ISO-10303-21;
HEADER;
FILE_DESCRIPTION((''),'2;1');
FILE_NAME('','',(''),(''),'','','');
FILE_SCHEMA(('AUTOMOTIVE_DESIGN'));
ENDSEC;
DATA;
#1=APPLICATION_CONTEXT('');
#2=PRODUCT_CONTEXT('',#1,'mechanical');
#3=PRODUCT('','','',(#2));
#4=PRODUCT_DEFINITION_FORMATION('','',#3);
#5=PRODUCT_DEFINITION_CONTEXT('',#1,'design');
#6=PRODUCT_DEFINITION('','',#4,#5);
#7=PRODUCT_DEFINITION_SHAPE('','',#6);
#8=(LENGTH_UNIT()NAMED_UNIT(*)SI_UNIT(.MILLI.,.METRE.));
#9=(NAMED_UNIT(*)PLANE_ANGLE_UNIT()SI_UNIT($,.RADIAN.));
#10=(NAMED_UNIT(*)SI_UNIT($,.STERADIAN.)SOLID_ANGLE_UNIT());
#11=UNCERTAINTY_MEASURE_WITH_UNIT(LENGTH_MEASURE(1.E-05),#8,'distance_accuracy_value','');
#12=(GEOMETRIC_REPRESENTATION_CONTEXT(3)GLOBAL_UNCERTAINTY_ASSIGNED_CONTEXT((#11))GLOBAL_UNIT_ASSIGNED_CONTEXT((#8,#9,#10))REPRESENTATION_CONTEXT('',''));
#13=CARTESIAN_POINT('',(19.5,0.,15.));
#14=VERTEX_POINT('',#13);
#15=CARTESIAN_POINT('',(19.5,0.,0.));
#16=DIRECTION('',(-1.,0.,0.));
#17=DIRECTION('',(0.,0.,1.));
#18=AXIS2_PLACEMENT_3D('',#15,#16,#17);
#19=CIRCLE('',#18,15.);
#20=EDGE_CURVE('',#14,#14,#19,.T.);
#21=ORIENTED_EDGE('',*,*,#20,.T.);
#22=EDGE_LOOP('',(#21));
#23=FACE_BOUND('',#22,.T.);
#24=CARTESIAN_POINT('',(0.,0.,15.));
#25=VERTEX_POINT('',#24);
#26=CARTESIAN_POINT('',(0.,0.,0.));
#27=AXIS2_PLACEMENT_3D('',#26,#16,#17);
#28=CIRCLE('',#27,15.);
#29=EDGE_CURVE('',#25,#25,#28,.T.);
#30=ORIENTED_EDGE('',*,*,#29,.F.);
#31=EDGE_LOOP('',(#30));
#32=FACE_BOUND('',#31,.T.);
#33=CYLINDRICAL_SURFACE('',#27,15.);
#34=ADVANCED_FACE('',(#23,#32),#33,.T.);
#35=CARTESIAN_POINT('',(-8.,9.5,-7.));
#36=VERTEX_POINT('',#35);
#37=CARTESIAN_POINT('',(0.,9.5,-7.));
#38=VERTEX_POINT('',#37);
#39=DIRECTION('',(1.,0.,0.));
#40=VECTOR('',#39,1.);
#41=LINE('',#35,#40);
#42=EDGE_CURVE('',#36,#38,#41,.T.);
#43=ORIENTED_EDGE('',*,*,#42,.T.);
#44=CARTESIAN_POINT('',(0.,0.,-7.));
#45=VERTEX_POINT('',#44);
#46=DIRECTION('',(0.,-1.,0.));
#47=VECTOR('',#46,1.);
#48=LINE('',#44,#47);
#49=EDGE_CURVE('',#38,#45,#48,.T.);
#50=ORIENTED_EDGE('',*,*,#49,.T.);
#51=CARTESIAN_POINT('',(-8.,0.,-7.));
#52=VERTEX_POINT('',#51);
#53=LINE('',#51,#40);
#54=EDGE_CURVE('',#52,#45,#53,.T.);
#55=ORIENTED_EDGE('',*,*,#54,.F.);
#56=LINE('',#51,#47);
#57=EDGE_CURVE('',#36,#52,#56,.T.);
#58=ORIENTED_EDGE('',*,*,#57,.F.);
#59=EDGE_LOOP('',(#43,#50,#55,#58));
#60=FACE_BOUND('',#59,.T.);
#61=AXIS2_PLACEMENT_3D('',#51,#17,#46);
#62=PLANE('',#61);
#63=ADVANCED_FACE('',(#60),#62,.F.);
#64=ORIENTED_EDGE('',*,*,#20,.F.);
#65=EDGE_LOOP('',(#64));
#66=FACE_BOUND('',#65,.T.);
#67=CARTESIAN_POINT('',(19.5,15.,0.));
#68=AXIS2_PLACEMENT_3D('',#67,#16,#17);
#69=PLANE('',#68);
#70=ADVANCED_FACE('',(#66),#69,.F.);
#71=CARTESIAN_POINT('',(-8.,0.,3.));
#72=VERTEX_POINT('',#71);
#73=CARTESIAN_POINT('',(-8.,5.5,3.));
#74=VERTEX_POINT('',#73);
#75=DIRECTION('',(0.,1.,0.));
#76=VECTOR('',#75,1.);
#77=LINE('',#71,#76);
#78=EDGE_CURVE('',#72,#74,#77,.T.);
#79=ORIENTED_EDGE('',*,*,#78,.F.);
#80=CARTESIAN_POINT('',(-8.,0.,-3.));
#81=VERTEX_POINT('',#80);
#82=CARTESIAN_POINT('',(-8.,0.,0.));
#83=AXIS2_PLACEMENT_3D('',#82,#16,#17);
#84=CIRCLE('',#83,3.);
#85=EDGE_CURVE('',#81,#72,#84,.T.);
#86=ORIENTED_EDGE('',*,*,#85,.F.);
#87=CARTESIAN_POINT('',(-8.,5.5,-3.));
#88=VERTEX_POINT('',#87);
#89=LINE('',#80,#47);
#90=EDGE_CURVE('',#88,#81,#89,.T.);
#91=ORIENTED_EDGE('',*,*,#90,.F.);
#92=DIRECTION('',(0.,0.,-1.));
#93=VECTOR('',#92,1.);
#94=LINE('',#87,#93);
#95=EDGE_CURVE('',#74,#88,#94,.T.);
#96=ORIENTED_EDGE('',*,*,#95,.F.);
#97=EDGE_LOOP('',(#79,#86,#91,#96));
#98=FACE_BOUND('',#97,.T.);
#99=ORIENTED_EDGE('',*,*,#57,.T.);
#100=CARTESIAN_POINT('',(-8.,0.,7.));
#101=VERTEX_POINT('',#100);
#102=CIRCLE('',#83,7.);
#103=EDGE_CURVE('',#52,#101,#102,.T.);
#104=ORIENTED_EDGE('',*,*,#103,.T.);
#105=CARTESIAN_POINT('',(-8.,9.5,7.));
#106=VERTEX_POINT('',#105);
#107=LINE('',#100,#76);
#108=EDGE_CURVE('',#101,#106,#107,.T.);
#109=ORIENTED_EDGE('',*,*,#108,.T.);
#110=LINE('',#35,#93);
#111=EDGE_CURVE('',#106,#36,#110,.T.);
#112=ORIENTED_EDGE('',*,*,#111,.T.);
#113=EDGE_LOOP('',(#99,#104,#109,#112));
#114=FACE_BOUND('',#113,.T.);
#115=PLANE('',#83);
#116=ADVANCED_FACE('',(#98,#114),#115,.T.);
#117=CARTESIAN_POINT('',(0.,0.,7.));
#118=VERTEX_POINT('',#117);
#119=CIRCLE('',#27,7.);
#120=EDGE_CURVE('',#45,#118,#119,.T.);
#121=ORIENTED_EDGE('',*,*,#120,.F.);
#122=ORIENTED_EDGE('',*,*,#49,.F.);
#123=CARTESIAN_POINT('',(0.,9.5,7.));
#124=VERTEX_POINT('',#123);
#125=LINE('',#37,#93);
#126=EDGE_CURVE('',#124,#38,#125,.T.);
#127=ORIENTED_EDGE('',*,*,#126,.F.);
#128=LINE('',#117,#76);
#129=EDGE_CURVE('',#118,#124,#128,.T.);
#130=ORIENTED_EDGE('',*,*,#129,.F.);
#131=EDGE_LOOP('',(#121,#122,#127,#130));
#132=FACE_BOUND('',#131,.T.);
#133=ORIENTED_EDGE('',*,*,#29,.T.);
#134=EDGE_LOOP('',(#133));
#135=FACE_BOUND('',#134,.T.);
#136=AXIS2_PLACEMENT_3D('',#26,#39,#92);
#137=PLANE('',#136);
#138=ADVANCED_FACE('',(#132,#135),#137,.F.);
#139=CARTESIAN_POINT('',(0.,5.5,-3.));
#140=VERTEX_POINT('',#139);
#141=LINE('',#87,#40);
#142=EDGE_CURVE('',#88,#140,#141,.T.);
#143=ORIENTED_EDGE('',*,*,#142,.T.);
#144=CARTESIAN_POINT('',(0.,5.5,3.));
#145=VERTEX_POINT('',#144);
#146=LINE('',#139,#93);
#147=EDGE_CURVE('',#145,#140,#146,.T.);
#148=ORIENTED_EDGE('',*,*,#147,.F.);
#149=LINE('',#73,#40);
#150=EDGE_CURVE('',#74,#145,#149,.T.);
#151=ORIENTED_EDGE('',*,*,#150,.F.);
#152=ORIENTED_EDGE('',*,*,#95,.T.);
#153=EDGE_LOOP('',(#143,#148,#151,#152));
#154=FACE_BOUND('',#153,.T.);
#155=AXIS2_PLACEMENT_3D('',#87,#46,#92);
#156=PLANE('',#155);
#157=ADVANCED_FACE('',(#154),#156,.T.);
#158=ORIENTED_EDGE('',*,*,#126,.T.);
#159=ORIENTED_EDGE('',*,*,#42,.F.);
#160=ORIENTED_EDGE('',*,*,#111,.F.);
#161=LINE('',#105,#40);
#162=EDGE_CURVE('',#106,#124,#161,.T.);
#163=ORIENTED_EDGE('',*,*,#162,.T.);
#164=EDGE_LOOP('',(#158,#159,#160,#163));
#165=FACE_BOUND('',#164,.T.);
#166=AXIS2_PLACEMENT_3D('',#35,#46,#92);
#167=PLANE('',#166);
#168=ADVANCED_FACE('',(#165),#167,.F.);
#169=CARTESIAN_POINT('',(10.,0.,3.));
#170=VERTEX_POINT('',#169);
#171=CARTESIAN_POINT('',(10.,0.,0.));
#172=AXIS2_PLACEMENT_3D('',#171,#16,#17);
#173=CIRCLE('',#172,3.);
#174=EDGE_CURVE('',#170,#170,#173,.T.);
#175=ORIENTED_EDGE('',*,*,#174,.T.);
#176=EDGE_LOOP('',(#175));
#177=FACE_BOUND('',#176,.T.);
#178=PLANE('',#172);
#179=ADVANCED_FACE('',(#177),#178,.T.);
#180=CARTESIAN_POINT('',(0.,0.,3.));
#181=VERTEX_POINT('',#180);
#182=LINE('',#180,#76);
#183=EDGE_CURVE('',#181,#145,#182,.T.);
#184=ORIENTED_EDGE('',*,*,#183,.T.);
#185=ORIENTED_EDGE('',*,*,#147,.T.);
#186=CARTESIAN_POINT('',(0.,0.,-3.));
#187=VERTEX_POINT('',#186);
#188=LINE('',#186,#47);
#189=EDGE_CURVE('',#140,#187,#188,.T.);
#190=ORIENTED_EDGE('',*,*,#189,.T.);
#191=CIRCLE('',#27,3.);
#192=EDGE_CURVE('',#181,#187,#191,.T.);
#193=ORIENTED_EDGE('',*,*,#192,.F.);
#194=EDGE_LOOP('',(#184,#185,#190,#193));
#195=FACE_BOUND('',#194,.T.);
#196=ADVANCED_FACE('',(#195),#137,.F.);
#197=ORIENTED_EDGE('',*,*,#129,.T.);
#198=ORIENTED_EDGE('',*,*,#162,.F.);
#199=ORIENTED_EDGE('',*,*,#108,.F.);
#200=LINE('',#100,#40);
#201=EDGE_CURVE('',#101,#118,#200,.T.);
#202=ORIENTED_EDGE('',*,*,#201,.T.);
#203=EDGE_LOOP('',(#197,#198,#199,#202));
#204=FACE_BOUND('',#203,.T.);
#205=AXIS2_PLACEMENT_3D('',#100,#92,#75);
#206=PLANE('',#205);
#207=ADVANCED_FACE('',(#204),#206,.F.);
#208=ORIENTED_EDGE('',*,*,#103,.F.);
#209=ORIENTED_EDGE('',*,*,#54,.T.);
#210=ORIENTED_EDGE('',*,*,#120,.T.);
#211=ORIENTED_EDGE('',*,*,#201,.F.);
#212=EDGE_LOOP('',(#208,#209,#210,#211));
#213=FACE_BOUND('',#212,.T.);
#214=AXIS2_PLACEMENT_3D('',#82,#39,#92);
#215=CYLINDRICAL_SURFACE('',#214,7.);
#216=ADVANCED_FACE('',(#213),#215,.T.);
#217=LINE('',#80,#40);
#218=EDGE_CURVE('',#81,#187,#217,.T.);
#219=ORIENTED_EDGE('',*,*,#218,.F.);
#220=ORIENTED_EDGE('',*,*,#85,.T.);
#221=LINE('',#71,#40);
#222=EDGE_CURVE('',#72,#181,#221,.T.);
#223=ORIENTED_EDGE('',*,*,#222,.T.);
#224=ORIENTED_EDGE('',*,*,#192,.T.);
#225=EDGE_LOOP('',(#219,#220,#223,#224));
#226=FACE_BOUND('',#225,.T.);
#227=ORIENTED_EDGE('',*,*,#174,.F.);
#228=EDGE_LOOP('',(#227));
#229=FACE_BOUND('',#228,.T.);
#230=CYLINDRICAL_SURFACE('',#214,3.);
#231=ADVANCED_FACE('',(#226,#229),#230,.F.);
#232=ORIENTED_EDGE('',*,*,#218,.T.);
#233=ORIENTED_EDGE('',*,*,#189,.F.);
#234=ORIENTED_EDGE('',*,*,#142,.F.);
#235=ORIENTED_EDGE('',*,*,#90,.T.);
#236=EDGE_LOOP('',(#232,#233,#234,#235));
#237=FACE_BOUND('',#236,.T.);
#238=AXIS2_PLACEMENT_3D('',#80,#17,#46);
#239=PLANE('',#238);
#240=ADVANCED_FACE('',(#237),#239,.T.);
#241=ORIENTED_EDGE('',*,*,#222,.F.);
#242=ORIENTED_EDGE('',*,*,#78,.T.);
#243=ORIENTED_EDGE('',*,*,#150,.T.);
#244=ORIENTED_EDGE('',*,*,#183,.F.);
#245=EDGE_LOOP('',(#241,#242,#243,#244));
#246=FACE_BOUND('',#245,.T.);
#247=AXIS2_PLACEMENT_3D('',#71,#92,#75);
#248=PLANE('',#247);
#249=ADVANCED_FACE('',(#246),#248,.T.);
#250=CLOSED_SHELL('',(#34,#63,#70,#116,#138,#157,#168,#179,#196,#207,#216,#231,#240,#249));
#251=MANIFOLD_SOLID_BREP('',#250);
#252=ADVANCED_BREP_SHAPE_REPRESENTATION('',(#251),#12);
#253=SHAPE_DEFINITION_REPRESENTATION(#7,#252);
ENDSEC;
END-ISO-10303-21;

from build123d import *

# Parameters (mm, degrees)
SKETCH1_W           = 19.5
SKETCH1_H           = 15
BOSS_EXTRUDE1_DEPTH = 8
CUT_EXTRUDE1_START  = -10
SKETCH3_R           = 3
CUT_EXTRUDE1_DEPTH  = 10


with BuildPart() as part:
    # Sketch1 → Revolve1 (revolve)
    with BuildSketch(Plane.XY, mode=Mode.PRIVATE) as revolve1_sk:
        with Locations((9.75, 7.5)):
            Rectangle(SKETCH1_W, SKETCH1_H)
    revolve(revolve1_sk.sketch.rotate(Axis((0, 0, 0), (1, 0, 0)), 90), axis=Axis((0, 0, 0), (1, 0, 0)))

    # Sketch2 → Boss-Extrude1 (add)
    with BuildSketch(Plane.ZY):
        with BuildLine():
            Line((-7, 0), (-7, 9.5))
            Line((-7, 9.5), (7, 9.5))
            Line((7, 9.5), (7, 0))
            ThreePointArc((7, 0), (0, -7), (-7, 0))
        make_face()
        with BuildLine():
            Line((-3, 0), (-3, 5.5))
            Line((-3, 5.5), (3, 5.5))
            Line((3, 5.5), (3, 0))
            ThreePointArc((3, 0), (0, -3), (-3, 0))
        make_face(mode=Mode.SUBTRACT)
    extrude(amount=BOSS_EXTRUDE1_DEPTH)

    # Sketch3 → Cut-Extrude1 (cut)
    with BuildSketch(Plane.ZY.offset(CUT_EXTRUDE1_START)):
        Circle(SKETCH3_R)
    extrude(amount=CUT_EXTRUDE1_DEPTH, mode=Mode.SUBTRACT)


solid = part.part
